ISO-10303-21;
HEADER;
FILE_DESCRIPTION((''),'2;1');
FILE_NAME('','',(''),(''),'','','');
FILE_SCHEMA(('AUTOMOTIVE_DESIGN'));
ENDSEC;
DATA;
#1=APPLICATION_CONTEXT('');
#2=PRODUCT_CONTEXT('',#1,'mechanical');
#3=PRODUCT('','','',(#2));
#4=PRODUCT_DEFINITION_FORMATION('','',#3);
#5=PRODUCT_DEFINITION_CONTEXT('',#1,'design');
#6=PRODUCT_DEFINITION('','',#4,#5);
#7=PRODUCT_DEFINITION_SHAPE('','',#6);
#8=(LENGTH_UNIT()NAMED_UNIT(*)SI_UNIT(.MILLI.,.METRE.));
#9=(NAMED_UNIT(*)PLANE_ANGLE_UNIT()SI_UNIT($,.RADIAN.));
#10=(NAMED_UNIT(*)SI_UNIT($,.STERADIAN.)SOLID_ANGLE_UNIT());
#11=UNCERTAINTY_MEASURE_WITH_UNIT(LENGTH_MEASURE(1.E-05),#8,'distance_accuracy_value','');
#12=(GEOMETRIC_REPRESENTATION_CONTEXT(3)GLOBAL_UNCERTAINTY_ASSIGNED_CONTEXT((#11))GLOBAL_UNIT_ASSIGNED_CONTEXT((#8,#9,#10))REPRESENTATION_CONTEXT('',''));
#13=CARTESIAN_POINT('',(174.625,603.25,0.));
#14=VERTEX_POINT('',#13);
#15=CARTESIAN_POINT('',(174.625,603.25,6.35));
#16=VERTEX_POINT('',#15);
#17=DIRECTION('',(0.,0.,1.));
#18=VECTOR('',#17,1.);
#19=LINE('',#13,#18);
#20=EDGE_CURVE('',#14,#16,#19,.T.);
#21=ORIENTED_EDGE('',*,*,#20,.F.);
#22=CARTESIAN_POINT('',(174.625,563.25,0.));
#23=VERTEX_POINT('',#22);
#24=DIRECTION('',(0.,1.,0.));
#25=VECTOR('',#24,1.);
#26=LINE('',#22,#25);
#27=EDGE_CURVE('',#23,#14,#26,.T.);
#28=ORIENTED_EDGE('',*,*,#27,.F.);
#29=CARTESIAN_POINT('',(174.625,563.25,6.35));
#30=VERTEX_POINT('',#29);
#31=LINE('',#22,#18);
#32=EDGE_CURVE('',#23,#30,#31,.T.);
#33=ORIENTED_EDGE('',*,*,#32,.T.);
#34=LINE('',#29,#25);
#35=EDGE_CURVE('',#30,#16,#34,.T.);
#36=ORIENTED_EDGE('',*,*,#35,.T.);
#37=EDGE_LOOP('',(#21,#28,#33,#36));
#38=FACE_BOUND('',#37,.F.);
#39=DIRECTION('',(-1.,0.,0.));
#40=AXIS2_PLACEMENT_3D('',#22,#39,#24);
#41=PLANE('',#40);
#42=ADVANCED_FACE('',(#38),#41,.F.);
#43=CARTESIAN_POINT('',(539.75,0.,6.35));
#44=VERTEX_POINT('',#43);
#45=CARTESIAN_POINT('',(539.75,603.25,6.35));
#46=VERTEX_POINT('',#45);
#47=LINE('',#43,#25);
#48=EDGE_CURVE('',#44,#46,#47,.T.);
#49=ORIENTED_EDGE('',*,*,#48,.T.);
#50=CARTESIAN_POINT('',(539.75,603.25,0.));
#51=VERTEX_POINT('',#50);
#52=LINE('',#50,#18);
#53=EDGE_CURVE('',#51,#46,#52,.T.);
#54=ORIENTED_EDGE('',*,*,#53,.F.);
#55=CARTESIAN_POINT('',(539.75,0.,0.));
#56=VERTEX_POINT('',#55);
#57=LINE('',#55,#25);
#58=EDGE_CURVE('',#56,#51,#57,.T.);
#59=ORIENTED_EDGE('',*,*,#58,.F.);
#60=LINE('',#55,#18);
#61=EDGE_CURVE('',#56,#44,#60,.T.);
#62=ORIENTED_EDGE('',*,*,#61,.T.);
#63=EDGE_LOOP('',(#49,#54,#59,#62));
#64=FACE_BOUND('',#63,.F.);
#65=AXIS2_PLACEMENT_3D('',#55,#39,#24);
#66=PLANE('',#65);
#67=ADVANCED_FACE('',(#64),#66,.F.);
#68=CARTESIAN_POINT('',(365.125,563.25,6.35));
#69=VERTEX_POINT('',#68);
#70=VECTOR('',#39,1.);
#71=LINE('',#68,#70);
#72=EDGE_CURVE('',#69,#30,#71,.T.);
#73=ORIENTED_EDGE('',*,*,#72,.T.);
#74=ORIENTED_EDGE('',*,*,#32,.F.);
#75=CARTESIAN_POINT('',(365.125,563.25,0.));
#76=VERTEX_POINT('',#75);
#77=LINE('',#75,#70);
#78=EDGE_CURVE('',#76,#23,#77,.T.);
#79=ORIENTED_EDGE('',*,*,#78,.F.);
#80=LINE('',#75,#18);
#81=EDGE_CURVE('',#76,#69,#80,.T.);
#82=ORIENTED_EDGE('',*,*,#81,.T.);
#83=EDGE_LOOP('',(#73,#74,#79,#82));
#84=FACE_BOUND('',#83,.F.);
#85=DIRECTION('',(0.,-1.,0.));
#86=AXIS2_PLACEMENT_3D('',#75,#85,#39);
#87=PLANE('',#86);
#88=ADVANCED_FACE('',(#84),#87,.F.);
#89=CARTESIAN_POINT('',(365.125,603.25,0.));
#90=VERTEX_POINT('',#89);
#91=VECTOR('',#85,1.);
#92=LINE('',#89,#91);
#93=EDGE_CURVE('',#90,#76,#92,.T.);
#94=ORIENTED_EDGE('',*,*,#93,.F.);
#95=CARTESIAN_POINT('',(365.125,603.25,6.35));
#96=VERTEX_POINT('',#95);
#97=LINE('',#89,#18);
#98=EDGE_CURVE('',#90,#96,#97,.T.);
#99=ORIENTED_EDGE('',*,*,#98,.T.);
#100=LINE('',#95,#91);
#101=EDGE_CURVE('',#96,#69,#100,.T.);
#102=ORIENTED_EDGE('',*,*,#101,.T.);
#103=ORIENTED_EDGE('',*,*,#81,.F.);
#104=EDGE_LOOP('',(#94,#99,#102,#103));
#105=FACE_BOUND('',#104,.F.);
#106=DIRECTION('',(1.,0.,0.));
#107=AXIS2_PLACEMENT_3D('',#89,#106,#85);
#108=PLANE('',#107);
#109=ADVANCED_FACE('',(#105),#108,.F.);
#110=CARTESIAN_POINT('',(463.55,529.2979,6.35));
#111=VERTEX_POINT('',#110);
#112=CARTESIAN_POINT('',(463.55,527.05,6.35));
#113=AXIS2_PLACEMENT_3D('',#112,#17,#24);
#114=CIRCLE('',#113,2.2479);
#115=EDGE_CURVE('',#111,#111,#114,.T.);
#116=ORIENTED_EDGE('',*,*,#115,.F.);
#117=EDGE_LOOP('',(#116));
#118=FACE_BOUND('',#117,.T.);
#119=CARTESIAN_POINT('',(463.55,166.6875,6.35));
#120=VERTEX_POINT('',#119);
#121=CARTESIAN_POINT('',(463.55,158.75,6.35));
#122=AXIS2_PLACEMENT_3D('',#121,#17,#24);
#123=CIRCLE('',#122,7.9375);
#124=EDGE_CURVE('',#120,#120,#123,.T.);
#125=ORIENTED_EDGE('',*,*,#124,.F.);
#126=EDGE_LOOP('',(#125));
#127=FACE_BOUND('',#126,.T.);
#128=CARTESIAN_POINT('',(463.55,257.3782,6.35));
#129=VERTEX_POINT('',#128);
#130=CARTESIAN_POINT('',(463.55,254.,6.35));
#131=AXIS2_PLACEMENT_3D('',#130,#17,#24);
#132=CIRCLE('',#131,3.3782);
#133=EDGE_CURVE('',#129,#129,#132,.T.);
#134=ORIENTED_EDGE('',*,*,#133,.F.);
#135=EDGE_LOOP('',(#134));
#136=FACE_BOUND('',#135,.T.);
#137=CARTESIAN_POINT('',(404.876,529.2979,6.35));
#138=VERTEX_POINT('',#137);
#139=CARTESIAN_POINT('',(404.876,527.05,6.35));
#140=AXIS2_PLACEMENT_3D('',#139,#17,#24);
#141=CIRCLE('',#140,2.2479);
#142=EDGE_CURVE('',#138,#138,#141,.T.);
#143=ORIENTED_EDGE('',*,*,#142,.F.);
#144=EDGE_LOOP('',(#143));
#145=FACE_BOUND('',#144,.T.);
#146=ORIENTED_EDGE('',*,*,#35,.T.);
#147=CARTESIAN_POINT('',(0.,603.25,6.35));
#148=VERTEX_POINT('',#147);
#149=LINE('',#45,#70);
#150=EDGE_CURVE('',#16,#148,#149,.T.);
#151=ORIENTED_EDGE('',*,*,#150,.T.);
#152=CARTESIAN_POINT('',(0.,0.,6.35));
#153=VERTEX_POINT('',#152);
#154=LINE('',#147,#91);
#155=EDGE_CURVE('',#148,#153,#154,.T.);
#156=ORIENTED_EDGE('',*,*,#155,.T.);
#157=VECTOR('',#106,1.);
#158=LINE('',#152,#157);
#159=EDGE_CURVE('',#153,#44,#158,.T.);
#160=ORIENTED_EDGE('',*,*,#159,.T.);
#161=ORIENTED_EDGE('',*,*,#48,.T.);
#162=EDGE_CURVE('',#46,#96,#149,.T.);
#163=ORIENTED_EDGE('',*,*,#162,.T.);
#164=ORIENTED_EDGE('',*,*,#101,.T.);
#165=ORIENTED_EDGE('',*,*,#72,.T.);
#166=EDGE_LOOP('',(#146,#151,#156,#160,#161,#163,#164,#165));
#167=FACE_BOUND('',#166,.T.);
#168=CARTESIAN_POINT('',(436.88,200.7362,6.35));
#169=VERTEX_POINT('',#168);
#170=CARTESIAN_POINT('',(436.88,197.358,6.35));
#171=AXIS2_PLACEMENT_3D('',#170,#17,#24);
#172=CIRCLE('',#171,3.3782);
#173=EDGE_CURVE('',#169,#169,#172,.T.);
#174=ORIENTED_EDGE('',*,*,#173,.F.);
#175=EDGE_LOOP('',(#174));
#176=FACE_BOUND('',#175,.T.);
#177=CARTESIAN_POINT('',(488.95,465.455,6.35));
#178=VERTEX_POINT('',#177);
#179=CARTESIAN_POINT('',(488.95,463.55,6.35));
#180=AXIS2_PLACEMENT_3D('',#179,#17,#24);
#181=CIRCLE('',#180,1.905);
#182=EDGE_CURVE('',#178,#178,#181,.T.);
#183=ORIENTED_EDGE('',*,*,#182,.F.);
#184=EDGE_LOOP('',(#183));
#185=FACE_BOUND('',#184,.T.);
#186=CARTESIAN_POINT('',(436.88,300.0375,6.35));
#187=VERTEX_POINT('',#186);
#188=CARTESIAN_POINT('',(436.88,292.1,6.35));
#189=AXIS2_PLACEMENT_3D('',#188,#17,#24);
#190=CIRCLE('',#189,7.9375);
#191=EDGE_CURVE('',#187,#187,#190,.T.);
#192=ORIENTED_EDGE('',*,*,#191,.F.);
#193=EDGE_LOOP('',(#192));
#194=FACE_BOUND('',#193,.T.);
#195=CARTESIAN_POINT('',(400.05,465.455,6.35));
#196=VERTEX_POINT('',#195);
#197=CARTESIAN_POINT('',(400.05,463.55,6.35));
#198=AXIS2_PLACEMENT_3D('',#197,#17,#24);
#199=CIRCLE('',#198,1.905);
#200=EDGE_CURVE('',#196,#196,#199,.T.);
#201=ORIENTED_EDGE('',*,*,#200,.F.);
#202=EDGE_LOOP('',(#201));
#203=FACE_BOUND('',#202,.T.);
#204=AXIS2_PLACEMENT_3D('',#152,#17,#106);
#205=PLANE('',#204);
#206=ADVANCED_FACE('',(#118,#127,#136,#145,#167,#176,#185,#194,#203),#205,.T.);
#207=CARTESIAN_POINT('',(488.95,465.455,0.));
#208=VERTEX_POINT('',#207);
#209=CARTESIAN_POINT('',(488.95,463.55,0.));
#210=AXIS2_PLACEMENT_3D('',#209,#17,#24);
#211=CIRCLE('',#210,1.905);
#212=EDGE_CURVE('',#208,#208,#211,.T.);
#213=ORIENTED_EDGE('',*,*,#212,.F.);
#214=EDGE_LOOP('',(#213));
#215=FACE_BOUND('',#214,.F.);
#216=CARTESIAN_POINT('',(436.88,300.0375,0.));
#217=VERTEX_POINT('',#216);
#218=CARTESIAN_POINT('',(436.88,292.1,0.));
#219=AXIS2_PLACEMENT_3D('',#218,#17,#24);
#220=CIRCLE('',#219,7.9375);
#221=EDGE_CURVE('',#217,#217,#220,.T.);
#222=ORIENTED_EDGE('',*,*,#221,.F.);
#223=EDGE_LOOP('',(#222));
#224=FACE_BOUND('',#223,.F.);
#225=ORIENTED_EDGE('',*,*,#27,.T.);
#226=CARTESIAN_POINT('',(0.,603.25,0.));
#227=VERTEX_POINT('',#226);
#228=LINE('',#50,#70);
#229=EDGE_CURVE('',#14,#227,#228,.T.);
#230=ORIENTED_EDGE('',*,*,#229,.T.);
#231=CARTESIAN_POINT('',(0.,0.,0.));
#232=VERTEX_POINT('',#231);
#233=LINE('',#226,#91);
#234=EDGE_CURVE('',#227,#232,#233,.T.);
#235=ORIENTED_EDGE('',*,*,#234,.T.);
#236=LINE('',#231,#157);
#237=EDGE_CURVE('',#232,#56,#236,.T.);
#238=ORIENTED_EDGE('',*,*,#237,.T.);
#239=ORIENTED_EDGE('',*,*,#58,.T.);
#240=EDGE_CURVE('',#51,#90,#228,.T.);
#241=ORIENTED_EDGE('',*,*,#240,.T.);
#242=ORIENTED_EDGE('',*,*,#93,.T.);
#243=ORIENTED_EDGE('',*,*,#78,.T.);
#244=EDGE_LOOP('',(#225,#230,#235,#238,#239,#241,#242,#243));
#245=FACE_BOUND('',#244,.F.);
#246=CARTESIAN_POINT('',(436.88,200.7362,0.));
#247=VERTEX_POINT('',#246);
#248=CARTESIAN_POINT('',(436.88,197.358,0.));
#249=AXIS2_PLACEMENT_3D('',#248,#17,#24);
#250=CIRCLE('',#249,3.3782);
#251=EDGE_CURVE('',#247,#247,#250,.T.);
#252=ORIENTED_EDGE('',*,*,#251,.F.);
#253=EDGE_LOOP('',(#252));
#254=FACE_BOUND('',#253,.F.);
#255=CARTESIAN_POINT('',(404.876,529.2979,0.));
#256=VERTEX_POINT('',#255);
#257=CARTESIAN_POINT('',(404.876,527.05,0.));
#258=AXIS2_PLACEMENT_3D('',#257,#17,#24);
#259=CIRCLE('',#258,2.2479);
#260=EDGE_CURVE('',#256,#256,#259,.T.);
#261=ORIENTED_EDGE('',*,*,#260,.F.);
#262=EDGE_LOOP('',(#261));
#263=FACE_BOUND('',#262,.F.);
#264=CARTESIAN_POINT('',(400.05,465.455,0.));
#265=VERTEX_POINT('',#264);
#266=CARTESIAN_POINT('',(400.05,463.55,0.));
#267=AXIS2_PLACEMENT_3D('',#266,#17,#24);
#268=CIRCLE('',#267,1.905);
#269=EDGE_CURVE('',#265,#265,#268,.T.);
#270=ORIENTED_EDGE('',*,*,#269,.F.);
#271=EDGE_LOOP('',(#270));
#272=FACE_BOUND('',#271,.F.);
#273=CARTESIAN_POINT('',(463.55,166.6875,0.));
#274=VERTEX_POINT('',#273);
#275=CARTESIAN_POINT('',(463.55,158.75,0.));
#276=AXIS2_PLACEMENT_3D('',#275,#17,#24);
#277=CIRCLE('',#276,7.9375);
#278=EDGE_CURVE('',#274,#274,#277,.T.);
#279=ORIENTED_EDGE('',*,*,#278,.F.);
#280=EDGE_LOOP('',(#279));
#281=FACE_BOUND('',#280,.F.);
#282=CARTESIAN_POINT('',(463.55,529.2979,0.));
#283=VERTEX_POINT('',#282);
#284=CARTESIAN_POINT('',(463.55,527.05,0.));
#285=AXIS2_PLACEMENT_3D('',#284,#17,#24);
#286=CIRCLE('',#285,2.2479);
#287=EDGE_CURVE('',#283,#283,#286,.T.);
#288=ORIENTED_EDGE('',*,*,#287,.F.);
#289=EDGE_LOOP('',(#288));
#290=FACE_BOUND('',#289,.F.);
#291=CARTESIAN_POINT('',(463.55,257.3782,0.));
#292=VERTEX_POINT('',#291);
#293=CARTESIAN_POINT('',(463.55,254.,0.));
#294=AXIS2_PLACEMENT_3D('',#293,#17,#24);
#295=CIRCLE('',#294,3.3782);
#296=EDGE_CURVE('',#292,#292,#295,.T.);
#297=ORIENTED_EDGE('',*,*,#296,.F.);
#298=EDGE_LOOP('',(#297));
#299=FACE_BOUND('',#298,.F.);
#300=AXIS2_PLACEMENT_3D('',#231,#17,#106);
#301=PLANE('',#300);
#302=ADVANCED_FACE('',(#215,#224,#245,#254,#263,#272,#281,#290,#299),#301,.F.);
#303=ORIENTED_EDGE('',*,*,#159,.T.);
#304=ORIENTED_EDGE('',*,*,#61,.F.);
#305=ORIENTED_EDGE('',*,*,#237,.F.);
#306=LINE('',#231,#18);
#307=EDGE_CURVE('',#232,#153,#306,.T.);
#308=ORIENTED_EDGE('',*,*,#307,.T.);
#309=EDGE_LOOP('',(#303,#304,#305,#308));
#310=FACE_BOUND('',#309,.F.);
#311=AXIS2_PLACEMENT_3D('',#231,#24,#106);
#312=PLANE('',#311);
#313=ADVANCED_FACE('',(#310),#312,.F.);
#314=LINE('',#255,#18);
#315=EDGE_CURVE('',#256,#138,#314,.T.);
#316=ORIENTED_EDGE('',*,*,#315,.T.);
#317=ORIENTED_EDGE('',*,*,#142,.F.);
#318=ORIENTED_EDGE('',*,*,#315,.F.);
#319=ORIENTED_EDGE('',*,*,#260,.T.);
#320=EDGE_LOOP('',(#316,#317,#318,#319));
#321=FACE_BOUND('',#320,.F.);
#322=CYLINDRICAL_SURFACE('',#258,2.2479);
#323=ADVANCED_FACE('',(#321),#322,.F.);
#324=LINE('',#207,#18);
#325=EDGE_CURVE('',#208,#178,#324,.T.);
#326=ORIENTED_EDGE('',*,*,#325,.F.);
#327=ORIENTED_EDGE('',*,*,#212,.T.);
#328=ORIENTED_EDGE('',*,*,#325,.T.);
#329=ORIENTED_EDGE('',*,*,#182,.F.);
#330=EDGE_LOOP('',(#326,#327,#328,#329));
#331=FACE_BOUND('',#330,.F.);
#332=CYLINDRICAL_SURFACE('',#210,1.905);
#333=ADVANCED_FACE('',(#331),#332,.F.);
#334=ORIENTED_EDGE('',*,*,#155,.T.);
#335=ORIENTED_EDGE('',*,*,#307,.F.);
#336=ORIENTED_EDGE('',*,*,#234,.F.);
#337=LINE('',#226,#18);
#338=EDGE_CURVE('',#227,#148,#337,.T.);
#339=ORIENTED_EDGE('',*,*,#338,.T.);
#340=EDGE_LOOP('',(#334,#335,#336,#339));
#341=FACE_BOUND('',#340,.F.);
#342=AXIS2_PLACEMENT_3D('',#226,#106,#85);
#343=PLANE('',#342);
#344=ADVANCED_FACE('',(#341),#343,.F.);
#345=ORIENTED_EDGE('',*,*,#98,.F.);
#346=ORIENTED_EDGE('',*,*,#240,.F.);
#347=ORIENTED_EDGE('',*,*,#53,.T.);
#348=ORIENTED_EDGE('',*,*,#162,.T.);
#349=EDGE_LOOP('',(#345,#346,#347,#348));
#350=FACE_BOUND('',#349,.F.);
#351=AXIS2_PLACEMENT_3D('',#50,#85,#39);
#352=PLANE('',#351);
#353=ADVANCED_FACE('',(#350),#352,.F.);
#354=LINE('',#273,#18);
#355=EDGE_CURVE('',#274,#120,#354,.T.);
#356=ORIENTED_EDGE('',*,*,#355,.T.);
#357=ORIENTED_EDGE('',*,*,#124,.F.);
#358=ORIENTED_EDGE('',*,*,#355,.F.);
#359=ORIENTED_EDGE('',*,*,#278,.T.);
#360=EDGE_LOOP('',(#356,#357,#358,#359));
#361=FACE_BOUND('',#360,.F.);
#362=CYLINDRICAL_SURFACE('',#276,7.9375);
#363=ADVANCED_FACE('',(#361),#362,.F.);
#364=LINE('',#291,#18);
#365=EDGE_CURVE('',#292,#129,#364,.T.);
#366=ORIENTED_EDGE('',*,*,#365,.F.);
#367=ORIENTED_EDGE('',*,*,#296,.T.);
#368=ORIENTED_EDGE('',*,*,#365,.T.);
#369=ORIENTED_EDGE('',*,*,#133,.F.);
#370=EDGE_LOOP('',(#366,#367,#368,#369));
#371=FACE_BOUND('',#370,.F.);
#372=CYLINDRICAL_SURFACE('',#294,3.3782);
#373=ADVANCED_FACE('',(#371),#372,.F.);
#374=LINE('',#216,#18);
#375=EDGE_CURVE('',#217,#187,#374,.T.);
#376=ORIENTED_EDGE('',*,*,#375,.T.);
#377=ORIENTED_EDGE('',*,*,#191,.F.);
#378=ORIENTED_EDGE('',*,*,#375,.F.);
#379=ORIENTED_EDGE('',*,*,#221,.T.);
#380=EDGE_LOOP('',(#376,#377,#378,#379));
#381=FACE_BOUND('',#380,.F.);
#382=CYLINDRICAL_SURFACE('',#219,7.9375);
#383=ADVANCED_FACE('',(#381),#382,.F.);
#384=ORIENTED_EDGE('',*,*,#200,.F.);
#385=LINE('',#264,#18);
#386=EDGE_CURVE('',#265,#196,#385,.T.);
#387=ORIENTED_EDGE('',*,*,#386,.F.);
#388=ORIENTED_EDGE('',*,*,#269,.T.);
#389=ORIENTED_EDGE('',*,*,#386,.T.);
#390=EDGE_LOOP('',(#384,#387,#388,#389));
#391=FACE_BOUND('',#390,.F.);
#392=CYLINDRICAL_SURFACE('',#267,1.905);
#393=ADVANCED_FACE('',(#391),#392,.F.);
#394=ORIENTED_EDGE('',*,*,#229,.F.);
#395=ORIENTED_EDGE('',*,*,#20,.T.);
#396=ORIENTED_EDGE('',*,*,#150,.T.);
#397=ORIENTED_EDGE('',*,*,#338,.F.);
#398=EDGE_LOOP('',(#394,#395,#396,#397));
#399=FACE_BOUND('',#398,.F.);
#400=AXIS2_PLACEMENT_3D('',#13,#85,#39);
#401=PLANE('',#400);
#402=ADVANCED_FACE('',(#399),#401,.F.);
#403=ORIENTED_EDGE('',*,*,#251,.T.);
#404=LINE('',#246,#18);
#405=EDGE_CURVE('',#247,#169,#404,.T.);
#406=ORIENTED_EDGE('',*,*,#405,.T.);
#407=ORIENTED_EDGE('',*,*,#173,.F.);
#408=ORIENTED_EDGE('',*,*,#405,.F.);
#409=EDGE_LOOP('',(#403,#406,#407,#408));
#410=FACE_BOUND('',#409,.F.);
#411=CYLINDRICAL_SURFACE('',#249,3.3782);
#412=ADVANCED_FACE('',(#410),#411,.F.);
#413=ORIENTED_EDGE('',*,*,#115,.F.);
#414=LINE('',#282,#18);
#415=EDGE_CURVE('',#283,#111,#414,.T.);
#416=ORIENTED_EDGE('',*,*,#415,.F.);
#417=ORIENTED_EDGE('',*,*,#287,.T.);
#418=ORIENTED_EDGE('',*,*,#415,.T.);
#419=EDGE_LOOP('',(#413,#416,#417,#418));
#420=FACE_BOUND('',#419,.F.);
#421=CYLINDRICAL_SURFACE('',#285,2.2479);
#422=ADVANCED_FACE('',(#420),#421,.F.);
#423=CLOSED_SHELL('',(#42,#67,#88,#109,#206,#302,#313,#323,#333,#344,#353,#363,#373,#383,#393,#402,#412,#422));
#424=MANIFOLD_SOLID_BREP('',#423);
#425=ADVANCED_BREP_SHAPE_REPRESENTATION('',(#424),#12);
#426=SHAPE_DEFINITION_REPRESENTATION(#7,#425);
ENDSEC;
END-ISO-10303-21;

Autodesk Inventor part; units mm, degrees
ref_plane "YZ Plane" through (0, 0, 0) normal (1, 0, 0) x (0, 1, 0)
ref_plane "XZ Plane" through (0, 0, 0) normal (0, 1, 0) x (-1, 0, 0)
ref_plane "XY Plane" through (0, 0, 0) normal (0, 0, 1) x (1, 0, 0)
sketch "Sketch1" plane through (0, 0, 0) normal (0, 0, 1) x (1, 0, 0)
  line L0 (0, 0) -> (539.75, 0)
  line L1 (539.75, 0) -> (539.75, 603.25)
  line L2 (539.75, 603.25) -> (0, 603.25)
  line L3 (0, 603.25) -> (0, 0)
  line L4 (174.625, 603.25) -> (365.125, 603.25)
  line L5 (365.125, 603.25) -> (365.125, 563.25)
  line L6 (365.125, 563.25) -> (174.625, 563.25)
  line L7 (174.625, 563.25) -> (174.625, 603.25)
  point P0 (269.875, 603.25)
  dimension "d0" = 603.25
  dimension "d1" = 539.75
  dimension "d4" = 40
  dimension "d5" = 190.5
extrude "Extrusion1" add sketch "Sketch1" along normal blind 6.35 contours L3 L2 L7 L6 L5 L1 L0
hole "Hole1" at (463.55, 527.05, 0) direction (0, 0, 1) diameter 4.4958 end through all clearance for "Flat Head Machine Screw (82)" size "#8" standard "Ansi Unified Screw Threads"
hole "Hole2" at (404.876, 527.05, 0) direction (0, 0, 1) diameter 4.4958 end through all clearance for "Flat Head Machine Screw (82)" size "#8" standard "Ansi Unified Screw Threads"
sketch "Sketch2" plane through (0, 0, 0) normal (0, 0, -1) x (-1, 0, 0)
  line L0 (-539.75, 603.25) -> (-365.125, 603.25) projected
  line L1 (-539.75, 0) -> (-539.75, 603.25) projected
  line L2 (-174.625, 563.25) -> (-365.125, 563.25) projected
  line L3 (-488.95, 463.55) -> (-400.05, 463.55)
  point P0 (-444.5, 463.55)
  dimension "d24" = 88.9
  dimension "d25" = 50.8
  dimension "d27" = 139.7
hole "Hole3" at (488.95, 463.55, 0) at (400.05, 463.55, 0) direction (0, 0, 1) diameter 3.81 end through all clearance for "Flat Head Machine Screw (82)" size "#6" standard "Ansi Unified Screw Threads"
hole "Hole4" at (463.55, 254, 0) direction (0, 0, 1) diameter 6.7564 end through all clearance for "Flat Head Machine Screw (82)" size "1/4" standard "Ansi Unified Screw Threads"
hole "Hole5" at (436.88, 197.358, 0) direction (0, 0, 1) diameter 6.7564 end through all clearance for "Flat Head Machine Screw (82)" size "1/4" standard "Ansi Unified Screw Threads"
sketch "Sketch3" plane through (0, 0, 0) normal (0, 0, -1) x (-1, 0, 0)
  circle A0 centre (-436.88, 197.358) radius 3.3782 projected
  circle A1 centre (-463.55, 254) radius 3.3782 projected
  point P0 (-436.88, 292.1)
  point P1 (-463.55, 158.75)
  dimension "d53" = 133.35
  dimension "d54" = 38.1
hole "Hole6" at (436.88, 292.1, 0) at (463.55, 158.75, 0) direction (0, 0, 1) diameter 15.875 end through all
properties part number "top plate" material "Polycarbonate, Clear"
